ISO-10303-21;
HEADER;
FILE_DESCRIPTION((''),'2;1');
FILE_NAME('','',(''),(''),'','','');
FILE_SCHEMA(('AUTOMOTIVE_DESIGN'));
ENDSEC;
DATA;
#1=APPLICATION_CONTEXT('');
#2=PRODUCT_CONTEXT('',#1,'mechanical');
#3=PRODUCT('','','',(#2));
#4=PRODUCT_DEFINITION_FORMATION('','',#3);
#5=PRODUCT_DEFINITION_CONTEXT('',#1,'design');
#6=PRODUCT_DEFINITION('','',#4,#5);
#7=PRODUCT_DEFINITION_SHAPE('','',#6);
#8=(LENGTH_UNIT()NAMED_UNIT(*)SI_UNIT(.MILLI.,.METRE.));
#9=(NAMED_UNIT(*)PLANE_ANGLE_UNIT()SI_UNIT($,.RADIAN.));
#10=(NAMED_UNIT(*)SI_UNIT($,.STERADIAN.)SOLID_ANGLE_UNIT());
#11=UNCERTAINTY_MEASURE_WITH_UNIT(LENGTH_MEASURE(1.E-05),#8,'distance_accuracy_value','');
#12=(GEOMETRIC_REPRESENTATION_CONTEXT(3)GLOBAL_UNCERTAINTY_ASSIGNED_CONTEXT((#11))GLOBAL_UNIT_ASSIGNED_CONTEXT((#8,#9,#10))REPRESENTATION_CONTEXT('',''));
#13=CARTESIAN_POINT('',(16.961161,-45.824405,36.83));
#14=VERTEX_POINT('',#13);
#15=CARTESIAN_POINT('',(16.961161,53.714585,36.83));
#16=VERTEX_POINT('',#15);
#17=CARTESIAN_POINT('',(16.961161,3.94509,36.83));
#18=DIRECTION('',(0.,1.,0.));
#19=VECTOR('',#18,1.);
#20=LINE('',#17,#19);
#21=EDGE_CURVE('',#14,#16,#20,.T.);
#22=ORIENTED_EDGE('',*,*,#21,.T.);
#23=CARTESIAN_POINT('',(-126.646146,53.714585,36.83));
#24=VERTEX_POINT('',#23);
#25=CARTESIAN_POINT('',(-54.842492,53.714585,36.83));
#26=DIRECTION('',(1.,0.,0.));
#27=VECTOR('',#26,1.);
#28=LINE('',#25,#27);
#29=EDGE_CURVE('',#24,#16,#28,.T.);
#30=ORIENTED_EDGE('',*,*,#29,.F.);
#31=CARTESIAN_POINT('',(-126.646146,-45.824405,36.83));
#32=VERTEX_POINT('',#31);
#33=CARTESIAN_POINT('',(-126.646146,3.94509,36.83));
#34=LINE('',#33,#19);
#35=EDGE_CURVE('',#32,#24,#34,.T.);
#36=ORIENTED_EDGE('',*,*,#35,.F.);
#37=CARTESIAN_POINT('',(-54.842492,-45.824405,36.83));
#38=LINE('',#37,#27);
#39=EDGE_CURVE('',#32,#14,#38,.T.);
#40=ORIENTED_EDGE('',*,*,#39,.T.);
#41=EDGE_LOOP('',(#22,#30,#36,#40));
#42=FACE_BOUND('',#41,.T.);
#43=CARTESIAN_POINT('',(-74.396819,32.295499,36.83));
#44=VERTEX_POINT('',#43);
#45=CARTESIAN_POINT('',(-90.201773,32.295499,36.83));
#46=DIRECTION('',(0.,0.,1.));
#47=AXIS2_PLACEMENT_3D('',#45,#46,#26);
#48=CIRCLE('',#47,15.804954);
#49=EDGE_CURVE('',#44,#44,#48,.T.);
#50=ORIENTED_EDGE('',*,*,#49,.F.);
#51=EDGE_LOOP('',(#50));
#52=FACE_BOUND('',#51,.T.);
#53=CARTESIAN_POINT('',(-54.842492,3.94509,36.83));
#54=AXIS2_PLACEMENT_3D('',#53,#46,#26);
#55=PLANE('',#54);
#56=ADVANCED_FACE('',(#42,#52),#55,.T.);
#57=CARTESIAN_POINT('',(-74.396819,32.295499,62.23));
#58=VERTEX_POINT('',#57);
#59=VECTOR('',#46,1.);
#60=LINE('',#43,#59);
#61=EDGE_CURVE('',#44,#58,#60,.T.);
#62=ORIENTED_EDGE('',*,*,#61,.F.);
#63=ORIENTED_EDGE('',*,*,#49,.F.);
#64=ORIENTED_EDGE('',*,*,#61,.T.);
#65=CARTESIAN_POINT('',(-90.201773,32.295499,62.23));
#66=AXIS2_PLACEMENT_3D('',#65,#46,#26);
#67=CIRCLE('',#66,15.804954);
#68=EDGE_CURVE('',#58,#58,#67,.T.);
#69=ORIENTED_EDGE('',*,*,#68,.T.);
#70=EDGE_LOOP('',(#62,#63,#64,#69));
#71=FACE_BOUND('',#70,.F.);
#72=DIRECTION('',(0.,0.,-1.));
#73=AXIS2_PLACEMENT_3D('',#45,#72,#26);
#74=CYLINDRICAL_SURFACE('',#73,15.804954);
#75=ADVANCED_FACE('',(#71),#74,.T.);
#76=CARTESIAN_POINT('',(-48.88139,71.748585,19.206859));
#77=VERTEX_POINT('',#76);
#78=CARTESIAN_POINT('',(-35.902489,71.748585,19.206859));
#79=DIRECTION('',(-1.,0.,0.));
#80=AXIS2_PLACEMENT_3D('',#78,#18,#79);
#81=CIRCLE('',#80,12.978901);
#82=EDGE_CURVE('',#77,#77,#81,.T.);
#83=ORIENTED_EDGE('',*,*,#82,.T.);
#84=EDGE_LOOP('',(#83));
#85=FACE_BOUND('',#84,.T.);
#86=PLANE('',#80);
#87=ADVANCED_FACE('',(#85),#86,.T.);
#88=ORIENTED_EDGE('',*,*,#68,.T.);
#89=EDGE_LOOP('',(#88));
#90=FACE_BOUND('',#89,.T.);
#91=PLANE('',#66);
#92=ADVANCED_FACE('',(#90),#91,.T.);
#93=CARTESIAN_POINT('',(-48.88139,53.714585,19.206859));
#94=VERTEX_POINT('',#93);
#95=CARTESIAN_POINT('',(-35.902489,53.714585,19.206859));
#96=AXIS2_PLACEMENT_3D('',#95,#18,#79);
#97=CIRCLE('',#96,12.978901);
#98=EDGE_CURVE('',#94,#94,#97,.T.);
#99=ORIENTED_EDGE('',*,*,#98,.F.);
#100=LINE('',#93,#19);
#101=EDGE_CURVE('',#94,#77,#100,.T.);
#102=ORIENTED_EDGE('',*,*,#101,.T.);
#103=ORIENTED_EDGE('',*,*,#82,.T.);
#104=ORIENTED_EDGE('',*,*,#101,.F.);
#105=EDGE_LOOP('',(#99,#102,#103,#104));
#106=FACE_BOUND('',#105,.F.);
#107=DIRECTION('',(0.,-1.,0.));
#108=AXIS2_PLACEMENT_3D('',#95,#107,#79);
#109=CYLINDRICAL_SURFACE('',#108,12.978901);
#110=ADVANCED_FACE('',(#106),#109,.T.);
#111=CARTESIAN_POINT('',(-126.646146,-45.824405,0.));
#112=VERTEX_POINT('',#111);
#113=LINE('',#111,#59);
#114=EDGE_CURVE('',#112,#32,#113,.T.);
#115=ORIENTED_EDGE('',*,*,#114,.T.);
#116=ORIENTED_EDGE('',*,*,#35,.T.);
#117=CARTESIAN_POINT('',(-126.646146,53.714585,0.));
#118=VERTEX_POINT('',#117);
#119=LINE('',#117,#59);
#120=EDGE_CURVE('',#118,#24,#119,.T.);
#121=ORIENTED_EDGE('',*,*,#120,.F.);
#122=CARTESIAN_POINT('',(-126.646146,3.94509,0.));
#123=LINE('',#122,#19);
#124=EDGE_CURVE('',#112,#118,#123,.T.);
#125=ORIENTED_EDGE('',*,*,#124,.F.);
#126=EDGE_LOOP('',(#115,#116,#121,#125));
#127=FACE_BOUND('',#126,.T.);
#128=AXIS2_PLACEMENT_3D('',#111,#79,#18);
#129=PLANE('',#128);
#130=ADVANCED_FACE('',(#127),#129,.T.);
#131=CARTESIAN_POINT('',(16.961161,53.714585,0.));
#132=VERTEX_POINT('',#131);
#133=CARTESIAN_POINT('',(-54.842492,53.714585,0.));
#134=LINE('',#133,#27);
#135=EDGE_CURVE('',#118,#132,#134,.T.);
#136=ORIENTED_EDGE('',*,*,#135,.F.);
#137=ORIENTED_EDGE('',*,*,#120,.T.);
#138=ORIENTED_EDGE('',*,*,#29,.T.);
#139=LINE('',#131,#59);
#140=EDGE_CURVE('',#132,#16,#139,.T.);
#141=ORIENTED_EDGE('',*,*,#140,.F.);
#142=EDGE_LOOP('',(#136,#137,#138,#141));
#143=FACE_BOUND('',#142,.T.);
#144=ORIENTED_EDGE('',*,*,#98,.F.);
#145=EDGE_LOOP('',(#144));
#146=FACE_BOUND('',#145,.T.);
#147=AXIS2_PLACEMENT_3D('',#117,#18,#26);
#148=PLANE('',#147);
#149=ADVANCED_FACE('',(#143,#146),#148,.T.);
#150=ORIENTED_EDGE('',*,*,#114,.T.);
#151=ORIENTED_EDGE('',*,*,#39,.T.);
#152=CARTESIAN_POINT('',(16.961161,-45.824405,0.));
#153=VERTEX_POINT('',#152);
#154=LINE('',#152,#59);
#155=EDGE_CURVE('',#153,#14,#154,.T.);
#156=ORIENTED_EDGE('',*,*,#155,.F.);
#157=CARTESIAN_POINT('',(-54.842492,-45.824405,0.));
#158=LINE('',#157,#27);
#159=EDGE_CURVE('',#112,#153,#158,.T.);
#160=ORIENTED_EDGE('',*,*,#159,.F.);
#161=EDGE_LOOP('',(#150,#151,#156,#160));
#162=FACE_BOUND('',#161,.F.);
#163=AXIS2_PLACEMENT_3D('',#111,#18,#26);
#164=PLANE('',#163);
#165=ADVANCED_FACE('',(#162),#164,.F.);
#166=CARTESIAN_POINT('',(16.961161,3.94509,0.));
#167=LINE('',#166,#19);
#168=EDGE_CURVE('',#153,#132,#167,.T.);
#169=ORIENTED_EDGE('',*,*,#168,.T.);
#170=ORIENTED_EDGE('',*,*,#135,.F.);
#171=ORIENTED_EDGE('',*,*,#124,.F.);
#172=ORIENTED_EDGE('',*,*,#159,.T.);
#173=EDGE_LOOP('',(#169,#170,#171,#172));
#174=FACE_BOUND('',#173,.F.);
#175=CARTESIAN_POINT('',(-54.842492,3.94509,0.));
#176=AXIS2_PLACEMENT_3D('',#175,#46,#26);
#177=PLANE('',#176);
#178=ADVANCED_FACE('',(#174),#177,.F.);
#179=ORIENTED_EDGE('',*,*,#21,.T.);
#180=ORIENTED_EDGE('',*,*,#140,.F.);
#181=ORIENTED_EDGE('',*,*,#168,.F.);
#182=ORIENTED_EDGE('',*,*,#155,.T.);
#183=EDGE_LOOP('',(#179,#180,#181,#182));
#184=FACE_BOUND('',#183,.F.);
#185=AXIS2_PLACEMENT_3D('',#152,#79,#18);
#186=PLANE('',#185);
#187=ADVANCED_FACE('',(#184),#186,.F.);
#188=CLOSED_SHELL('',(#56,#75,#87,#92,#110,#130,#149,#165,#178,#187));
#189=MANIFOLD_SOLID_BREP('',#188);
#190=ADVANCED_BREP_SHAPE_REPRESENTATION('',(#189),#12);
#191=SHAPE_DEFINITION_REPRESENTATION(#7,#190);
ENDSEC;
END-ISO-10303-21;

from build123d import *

# Parameters (mm, degrees)
F0_W     = 143.607307
F0_H     = 99.53899
F1_DEPTH = 36.83
F2_R     = 15.804954
F3_DEPTH = 25.4
F4_R     = 12.978901
F5_DEPTH = 18.034


with BuildPart() as f1:
    # F0 (on Top) → F1 (new body)
    with BuildSketch(Plane.XY):
        with Locations((-54.842492, 3.94509)):
            Rectangle(F0_W, F0_H)
    extrude(amount=F1_DEPTH)

    # F2 (on face) → F3 (join)
    with BuildSketch(Plane.XY.offset(36.83)):
        with Locations((-90.201773, 32.295499)):
            Circle(F2_R)
    extrude(amount=F3_DEPTH)

    # F4 (on face) → F5 (join)
    with BuildSketch(Plane(origin=(0, 53.714585, 0), x_dir=(-1, 0, 0), z_dir=(0, 1, 0))):
        with Locations((35.902489, 19.206859)):
            Circle(F4_R)
    extrude(amount=F5_DEPTH)


solid = f1.part
